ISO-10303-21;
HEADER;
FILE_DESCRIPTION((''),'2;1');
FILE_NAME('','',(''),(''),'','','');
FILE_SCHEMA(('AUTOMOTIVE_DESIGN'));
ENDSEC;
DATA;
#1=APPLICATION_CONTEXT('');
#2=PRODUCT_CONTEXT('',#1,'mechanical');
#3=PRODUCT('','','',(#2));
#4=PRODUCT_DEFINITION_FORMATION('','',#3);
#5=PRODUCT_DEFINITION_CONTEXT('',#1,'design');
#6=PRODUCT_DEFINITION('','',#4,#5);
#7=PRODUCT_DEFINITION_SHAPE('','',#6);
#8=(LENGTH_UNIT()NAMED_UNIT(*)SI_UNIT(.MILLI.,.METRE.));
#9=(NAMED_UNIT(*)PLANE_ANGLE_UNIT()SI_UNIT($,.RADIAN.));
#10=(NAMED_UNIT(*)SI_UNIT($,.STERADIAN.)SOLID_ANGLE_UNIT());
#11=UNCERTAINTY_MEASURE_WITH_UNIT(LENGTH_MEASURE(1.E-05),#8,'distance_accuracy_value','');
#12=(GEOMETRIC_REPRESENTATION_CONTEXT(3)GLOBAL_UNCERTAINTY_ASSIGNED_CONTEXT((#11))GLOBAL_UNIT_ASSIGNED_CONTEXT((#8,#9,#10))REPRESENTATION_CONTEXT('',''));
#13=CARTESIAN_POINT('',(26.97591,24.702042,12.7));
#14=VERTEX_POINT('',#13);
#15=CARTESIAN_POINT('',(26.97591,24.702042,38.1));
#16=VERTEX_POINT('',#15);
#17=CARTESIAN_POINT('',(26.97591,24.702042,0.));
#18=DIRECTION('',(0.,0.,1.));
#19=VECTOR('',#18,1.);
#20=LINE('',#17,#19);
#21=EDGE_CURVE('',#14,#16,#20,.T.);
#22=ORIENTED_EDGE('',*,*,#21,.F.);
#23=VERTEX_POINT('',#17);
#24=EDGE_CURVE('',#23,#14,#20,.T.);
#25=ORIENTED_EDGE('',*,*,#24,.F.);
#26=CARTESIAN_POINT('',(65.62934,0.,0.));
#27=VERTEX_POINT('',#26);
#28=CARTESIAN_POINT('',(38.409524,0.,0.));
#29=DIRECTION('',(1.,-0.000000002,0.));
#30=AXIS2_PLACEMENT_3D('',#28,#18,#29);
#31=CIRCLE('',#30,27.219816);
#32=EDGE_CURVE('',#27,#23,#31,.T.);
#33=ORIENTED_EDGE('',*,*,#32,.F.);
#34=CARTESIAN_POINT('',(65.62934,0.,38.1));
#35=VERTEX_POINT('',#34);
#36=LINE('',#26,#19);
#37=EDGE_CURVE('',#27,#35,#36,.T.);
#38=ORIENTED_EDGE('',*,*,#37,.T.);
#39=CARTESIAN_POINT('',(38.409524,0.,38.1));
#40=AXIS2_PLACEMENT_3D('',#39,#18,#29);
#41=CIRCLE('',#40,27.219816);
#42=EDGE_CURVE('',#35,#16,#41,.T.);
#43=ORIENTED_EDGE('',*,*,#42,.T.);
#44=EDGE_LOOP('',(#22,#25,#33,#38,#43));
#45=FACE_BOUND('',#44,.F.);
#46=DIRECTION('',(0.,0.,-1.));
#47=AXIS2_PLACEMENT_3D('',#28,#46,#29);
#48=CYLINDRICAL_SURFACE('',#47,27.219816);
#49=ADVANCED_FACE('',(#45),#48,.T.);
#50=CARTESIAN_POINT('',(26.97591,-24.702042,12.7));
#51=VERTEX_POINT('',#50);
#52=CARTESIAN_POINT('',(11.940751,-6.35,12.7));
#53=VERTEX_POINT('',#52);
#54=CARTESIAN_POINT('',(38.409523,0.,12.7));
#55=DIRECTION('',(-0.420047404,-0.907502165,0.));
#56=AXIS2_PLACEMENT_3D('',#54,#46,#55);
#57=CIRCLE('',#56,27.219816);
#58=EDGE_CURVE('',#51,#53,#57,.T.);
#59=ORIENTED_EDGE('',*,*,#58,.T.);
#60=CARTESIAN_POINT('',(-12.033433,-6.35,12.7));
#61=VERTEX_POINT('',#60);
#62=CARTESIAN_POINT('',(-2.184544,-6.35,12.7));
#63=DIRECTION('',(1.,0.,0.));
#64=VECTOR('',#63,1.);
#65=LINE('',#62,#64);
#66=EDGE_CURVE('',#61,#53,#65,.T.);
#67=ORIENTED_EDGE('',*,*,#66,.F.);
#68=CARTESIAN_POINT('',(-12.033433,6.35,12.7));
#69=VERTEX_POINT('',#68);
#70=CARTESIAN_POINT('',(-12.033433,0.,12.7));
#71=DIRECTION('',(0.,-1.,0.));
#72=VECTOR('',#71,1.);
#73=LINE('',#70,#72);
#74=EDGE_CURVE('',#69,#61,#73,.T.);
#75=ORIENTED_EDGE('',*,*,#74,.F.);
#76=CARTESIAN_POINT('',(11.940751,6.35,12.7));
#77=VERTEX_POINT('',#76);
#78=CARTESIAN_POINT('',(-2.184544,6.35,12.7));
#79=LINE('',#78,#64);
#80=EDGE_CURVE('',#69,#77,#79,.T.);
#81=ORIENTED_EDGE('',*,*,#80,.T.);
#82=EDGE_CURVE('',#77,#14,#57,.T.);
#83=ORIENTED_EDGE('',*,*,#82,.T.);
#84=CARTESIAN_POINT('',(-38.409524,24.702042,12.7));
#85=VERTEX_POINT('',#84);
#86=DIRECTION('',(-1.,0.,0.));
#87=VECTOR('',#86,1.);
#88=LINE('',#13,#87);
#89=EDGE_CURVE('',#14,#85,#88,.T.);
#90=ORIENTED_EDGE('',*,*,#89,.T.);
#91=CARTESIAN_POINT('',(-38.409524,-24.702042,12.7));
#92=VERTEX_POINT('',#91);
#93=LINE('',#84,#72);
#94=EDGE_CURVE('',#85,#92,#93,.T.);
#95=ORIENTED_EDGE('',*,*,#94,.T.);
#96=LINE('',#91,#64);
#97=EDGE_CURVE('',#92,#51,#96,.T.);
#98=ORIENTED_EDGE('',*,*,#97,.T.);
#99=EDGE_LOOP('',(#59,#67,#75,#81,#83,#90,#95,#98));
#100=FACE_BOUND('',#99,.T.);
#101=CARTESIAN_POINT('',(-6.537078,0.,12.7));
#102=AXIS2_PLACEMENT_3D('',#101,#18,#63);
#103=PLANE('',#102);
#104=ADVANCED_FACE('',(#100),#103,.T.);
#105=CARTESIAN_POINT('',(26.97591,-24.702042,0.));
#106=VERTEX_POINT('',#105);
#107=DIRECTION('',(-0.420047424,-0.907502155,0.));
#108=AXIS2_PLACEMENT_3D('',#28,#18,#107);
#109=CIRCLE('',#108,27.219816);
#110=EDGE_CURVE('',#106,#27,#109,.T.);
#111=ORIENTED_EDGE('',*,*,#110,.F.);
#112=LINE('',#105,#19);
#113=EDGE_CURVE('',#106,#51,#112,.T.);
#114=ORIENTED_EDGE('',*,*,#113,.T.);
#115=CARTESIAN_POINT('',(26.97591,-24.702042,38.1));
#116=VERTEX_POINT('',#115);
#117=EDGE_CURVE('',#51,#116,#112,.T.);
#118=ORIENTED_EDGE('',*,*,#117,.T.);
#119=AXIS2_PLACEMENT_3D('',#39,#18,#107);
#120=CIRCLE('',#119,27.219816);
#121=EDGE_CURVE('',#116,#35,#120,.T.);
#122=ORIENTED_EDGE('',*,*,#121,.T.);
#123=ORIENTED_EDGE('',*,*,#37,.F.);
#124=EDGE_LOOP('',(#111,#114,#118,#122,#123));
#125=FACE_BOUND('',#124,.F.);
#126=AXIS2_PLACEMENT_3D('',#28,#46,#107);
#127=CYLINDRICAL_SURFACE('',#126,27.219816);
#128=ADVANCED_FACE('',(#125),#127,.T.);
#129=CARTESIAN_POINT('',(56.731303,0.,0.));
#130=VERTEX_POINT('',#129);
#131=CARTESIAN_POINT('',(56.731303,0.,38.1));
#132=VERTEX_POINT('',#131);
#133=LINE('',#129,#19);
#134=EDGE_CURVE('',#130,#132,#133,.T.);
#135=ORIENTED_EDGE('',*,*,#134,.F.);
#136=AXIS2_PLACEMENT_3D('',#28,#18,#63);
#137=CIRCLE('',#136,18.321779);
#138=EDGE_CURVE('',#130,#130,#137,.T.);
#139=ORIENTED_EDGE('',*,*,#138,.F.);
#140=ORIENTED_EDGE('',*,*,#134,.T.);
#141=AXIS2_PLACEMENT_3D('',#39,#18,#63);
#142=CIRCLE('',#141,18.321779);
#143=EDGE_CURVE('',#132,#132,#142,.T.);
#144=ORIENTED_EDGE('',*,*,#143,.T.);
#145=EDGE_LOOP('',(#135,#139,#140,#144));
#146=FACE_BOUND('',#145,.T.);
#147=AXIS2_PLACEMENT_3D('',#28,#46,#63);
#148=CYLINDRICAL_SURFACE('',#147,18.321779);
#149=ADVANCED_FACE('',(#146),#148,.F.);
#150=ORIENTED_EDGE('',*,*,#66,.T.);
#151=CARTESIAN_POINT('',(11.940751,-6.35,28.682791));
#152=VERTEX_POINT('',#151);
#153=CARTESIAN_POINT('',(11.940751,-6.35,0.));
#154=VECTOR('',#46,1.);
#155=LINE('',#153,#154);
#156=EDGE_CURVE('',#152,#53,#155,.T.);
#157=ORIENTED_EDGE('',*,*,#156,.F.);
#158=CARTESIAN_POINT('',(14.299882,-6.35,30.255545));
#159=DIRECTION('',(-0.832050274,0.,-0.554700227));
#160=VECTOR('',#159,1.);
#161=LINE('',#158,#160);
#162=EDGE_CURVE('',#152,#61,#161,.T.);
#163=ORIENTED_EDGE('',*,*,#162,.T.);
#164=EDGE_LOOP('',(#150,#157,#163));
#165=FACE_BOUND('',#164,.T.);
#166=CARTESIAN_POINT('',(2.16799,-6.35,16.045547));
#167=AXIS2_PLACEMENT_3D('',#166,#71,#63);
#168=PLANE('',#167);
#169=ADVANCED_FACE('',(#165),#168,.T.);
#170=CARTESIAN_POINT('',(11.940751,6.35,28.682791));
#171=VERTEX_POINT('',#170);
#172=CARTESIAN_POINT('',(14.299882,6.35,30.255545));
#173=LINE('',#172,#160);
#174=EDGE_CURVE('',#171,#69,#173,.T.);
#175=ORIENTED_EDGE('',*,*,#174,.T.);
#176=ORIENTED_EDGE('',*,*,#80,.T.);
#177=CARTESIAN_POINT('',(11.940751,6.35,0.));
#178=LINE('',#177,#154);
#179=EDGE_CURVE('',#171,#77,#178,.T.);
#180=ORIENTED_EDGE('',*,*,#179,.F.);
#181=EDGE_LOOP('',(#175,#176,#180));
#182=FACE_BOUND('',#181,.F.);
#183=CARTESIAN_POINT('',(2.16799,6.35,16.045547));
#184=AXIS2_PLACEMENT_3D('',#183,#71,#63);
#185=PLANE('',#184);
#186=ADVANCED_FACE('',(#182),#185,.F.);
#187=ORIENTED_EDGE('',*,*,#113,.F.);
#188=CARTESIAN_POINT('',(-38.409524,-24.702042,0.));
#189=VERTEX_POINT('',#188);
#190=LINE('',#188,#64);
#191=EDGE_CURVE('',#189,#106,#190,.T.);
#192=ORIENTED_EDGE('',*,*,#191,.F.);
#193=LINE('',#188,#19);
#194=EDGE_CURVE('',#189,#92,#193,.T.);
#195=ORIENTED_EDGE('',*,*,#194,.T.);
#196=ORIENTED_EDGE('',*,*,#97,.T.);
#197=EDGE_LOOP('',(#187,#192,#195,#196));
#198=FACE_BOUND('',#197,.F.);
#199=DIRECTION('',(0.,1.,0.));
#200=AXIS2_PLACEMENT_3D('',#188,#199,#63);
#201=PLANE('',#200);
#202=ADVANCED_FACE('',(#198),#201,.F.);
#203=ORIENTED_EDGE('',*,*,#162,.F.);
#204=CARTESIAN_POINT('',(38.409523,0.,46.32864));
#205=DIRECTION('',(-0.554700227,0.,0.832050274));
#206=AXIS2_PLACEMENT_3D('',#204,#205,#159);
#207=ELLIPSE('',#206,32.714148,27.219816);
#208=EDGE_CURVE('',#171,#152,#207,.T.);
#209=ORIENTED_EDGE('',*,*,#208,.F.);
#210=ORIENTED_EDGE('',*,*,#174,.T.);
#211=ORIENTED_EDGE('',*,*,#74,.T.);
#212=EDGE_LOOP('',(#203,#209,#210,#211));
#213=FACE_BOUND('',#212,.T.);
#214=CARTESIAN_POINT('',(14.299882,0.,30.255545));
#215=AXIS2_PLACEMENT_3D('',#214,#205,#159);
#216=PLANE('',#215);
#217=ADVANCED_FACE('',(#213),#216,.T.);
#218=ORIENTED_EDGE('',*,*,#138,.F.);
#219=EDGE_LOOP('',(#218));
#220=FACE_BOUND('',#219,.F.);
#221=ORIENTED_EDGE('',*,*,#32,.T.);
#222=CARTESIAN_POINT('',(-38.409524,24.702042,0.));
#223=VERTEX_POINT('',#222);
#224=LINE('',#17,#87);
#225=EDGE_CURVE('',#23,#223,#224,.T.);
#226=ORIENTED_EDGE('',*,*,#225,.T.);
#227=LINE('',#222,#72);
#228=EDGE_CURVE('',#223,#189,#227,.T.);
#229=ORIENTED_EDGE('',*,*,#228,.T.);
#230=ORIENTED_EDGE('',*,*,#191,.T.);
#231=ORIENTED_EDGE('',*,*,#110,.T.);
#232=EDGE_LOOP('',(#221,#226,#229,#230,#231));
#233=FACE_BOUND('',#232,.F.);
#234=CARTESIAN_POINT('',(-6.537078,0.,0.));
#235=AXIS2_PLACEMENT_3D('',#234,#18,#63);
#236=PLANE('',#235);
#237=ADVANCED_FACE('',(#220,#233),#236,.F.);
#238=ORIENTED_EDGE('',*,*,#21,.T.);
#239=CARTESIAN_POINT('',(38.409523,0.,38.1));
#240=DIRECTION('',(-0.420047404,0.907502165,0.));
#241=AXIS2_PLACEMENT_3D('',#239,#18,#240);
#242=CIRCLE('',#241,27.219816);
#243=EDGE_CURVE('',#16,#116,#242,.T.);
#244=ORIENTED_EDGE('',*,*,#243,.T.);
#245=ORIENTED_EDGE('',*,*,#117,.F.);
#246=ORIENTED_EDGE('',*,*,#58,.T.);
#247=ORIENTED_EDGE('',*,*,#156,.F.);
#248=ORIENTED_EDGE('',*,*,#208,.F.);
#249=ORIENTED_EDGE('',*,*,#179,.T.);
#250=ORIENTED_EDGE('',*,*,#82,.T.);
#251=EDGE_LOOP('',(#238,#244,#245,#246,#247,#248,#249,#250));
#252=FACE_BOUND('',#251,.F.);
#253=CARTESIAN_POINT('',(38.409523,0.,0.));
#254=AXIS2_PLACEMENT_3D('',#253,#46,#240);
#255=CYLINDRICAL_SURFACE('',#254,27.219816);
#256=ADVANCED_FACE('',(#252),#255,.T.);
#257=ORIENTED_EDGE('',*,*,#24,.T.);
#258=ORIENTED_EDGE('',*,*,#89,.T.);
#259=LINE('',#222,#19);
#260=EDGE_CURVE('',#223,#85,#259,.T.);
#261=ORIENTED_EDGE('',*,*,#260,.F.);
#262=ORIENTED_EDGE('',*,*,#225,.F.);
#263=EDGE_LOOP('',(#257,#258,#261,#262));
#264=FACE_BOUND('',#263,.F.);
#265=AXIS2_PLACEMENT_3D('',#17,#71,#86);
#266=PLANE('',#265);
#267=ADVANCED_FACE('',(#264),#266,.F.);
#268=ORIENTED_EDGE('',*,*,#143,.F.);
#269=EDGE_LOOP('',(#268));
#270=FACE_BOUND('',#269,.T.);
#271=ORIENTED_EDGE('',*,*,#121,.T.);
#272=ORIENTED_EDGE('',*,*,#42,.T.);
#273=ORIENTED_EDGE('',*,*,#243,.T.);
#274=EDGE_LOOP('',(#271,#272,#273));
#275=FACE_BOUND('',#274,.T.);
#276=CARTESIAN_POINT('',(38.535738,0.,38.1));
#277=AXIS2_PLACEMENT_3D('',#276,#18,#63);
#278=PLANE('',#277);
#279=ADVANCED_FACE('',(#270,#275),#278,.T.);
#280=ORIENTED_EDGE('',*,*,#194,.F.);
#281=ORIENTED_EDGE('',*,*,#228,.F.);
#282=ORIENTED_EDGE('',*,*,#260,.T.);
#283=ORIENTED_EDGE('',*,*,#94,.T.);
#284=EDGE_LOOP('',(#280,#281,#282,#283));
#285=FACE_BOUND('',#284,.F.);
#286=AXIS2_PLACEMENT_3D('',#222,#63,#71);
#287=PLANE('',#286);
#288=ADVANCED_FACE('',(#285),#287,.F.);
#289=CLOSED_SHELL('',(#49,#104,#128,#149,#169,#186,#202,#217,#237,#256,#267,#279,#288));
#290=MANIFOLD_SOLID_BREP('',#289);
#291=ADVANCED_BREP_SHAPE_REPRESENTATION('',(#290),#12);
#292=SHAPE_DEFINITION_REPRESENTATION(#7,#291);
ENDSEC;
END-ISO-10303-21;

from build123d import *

# Parameters (mm, degrees)
F0_R     = 18.321779
F1_DEPTH = 38.1
F2_DEPTH = 12.7
F4_DEPTH = 6.35


with BuildPart() as f1:
    # F0 (on Top) → F1 (new body)
    with BuildSketch(Plane.XY):
        with BuildLine():
            ThreePointArc((65.62934, 0), (53.067244, 22.936208), (26.97591, 24.702042))
            ThreePointArc((26.97591, 24.702042), (11.189707, 0), (26.97591, -24.702042))
            ThreePointArc((26.97591, -24.702042), (53.067244, -22.936208), (65.62934, 0))
        make_face()
        with Locations((38.409524, 0)):
            Circle(F0_R, mode=Mode.SUBTRACT)
    extrude(amount=F1_DEPTH)

    # F0 (on Top) → F2 (join)
    with BuildSketch(Plane.XY):
        with BuildLine():
            ThreePointArc((26.97591, -24.702042), (11.189707, 0), (26.97591, 24.702042))
            Line((26.97591, 24.702042), (-38.409524, 24.702042))
            Line((-38.409524, 24.702042), (-38.409524, -24.702042))
            Line((-38.409524, -24.702042), (26.97591, -24.702042))
        make_face()
    extrude(amount=F2_DEPTH)

    # F3 (on Front) → F4 (join, symmetric)
    with BuildSketch(Plane.XZ):
        Polygon((14.299882, 9.182032), (14.299882, 30.255545), (-17.310385, 9.182032), align=None)
    extrude(amount=F4_DEPTH, both=True)


solid = f1.part
